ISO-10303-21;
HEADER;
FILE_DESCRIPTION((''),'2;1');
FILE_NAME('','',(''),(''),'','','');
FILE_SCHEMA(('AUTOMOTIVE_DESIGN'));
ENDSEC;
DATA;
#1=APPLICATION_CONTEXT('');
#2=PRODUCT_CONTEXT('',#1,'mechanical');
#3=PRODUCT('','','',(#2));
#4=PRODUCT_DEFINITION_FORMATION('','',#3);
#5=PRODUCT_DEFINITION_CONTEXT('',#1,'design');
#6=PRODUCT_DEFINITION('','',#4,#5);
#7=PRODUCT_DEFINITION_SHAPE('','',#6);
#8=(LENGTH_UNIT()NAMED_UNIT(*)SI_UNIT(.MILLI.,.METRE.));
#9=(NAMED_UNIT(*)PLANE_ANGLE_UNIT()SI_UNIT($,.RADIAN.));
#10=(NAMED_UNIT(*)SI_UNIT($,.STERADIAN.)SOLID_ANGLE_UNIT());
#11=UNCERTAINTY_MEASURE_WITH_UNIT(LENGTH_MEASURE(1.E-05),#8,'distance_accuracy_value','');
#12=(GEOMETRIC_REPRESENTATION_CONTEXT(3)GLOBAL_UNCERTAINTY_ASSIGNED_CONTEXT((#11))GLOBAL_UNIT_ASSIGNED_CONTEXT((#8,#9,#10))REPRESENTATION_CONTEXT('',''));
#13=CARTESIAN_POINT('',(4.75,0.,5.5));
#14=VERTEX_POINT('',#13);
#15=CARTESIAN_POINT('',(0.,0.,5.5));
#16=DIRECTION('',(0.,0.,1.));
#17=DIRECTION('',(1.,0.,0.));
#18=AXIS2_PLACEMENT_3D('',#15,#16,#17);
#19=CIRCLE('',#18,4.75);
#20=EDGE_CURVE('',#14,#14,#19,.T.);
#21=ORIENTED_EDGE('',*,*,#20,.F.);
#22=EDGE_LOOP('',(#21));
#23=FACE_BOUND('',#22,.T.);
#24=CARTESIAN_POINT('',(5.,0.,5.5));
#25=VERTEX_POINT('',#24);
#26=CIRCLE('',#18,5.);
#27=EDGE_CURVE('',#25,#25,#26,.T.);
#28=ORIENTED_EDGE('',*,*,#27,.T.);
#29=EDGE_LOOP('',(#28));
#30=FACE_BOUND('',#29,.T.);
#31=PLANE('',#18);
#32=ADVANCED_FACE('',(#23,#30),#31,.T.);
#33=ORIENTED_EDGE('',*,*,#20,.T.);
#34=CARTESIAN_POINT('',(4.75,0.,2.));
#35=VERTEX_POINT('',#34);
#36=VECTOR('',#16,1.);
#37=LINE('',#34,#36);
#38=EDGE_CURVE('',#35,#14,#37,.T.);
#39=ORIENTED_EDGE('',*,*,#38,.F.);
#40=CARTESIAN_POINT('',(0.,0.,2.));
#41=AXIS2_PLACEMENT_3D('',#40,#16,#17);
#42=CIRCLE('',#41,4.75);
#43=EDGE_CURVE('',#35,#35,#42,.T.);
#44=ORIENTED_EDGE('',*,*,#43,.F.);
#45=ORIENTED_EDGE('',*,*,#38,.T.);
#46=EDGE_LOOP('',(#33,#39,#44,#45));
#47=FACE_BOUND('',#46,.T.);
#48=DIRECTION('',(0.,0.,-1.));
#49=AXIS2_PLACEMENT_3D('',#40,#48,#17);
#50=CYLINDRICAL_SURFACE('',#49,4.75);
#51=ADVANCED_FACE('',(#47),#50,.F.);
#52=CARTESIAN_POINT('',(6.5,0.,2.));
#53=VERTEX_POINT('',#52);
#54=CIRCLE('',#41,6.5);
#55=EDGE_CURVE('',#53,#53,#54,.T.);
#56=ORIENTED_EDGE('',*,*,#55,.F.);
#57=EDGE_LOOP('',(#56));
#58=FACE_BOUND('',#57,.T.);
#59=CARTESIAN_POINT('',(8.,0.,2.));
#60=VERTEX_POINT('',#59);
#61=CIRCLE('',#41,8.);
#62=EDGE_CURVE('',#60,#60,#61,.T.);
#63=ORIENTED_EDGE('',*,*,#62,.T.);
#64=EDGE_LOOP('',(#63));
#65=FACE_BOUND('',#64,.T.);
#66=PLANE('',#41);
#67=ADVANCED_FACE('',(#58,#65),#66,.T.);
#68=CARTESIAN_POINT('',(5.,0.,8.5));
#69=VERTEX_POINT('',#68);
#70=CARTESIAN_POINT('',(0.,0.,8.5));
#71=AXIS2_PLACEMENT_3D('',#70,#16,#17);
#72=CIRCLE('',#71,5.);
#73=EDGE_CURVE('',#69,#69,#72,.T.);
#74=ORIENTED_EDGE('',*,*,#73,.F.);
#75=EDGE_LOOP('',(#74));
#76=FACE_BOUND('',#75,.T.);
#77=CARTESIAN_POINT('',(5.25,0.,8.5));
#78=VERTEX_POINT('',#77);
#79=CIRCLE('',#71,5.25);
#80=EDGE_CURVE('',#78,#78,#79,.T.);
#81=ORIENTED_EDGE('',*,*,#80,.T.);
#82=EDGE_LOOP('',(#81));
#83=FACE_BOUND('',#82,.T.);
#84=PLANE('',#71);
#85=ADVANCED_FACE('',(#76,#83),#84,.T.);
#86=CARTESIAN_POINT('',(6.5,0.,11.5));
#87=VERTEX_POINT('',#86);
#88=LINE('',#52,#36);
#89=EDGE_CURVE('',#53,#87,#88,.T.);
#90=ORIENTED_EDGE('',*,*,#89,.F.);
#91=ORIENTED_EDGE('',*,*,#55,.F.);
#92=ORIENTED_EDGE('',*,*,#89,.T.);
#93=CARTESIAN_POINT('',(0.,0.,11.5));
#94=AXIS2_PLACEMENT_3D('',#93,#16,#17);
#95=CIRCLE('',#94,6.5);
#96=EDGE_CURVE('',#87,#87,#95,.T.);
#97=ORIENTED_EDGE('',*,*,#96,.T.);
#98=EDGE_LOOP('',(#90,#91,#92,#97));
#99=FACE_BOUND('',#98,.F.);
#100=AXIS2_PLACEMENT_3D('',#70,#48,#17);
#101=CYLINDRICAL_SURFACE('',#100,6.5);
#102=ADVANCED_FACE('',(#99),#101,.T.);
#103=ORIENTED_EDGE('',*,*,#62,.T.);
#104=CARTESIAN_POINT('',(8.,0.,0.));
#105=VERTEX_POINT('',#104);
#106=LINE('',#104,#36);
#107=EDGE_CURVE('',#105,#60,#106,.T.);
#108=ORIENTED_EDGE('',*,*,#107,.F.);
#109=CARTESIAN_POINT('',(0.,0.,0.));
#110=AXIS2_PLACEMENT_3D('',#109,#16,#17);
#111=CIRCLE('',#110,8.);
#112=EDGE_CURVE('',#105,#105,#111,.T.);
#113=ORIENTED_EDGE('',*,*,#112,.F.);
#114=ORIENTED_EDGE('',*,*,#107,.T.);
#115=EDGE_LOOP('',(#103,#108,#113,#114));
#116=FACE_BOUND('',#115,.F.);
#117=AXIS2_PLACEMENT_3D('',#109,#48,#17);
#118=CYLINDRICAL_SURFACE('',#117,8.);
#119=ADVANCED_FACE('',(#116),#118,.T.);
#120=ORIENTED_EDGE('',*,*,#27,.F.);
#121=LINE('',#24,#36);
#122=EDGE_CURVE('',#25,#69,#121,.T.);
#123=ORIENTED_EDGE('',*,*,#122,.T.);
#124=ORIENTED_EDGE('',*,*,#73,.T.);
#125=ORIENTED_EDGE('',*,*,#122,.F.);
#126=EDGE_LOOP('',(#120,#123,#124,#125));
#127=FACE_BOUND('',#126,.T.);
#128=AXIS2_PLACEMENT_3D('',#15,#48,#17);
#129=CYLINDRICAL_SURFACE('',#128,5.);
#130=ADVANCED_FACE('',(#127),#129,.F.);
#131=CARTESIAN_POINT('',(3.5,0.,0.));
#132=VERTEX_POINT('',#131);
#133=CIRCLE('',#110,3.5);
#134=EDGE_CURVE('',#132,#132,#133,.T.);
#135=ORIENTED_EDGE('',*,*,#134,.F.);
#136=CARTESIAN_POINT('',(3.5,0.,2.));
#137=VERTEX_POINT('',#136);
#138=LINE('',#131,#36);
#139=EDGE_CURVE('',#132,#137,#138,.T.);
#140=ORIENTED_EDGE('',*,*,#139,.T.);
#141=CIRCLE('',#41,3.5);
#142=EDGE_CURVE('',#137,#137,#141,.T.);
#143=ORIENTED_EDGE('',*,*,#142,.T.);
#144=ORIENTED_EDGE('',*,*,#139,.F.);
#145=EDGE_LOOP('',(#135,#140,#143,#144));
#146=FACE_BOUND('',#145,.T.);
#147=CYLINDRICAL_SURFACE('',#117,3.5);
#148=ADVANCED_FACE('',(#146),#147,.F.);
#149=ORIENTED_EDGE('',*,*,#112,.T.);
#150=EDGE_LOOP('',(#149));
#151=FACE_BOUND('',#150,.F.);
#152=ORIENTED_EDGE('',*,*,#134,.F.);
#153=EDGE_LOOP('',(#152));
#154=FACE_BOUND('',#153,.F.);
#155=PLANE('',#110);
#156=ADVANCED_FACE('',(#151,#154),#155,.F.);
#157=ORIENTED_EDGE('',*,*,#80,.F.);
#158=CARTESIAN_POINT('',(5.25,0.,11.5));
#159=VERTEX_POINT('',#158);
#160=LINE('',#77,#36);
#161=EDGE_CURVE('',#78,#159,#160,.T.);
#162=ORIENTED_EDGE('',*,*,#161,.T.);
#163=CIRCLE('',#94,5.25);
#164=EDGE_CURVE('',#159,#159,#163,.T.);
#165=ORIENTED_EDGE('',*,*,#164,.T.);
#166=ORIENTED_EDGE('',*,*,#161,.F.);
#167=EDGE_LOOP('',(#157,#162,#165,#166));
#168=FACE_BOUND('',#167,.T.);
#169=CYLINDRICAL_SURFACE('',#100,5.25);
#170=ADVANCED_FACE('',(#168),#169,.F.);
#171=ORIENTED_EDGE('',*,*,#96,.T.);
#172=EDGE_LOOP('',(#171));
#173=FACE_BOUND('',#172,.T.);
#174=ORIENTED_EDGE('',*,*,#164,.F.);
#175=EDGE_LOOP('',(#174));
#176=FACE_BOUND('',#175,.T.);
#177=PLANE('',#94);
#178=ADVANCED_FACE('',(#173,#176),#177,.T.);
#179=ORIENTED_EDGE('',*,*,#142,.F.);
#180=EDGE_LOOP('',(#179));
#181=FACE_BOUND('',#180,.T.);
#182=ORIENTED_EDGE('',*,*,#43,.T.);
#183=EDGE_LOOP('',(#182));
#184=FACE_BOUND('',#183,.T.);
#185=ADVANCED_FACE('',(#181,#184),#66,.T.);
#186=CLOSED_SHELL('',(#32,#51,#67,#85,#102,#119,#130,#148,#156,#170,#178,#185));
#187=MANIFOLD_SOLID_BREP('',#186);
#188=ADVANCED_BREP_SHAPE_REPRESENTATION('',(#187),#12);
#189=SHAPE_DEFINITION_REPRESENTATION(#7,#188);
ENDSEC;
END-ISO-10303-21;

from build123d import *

# Parameters (mm, degrees)
F0_R     = 8
F0_R_2   = 3.5
F1_DEPTH = 2
F2_R     = 6.5
F2_R_2   = 4.75
F3_DEPTH = 3.5
F4_R     = 6.5
F4_R_2   = 5
F5_DEPTH = 3
F6_R     = 6.5
F6_R_2   = 5.25
F7_DEPTH = 3


with BuildPart() as f1:
    # F0 (on Top) → F1 (new body)
    with BuildSketch(Plane.XY):
        Circle(F0_R)
        Circle(F0_R_2, mode=Mode.SUBTRACT)
    extrude(amount=F1_DEPTH)

    # F2 (on face) → F3 (join)
    with BuildSketch(Plane.XY.offset(2)):
        Circle(F2_R)
        Circle(F2_R_2, mode=Mode.SUBTRACT)
    extrude(amount=F3_DEPTH)

    # F4 (on face) → F5 (join)
    with BuildSketch(Plane.XY.offset(5.5)):
        Circle(F4_R)
        Circle(F4_R_2, mode=Mode.SUBTRACT)
    extrude(amount=F5_DEPTH)

    # F6 (on face) → F7 (join)
    with BuildSketch(Plane.XY.offset(8.5)):
        Circle(F6_R)
        Circle(F6_R_2, mode=Mode.SUBTRACT)
    extrude(amount=F7_DEPTH)


solid = f1.part
